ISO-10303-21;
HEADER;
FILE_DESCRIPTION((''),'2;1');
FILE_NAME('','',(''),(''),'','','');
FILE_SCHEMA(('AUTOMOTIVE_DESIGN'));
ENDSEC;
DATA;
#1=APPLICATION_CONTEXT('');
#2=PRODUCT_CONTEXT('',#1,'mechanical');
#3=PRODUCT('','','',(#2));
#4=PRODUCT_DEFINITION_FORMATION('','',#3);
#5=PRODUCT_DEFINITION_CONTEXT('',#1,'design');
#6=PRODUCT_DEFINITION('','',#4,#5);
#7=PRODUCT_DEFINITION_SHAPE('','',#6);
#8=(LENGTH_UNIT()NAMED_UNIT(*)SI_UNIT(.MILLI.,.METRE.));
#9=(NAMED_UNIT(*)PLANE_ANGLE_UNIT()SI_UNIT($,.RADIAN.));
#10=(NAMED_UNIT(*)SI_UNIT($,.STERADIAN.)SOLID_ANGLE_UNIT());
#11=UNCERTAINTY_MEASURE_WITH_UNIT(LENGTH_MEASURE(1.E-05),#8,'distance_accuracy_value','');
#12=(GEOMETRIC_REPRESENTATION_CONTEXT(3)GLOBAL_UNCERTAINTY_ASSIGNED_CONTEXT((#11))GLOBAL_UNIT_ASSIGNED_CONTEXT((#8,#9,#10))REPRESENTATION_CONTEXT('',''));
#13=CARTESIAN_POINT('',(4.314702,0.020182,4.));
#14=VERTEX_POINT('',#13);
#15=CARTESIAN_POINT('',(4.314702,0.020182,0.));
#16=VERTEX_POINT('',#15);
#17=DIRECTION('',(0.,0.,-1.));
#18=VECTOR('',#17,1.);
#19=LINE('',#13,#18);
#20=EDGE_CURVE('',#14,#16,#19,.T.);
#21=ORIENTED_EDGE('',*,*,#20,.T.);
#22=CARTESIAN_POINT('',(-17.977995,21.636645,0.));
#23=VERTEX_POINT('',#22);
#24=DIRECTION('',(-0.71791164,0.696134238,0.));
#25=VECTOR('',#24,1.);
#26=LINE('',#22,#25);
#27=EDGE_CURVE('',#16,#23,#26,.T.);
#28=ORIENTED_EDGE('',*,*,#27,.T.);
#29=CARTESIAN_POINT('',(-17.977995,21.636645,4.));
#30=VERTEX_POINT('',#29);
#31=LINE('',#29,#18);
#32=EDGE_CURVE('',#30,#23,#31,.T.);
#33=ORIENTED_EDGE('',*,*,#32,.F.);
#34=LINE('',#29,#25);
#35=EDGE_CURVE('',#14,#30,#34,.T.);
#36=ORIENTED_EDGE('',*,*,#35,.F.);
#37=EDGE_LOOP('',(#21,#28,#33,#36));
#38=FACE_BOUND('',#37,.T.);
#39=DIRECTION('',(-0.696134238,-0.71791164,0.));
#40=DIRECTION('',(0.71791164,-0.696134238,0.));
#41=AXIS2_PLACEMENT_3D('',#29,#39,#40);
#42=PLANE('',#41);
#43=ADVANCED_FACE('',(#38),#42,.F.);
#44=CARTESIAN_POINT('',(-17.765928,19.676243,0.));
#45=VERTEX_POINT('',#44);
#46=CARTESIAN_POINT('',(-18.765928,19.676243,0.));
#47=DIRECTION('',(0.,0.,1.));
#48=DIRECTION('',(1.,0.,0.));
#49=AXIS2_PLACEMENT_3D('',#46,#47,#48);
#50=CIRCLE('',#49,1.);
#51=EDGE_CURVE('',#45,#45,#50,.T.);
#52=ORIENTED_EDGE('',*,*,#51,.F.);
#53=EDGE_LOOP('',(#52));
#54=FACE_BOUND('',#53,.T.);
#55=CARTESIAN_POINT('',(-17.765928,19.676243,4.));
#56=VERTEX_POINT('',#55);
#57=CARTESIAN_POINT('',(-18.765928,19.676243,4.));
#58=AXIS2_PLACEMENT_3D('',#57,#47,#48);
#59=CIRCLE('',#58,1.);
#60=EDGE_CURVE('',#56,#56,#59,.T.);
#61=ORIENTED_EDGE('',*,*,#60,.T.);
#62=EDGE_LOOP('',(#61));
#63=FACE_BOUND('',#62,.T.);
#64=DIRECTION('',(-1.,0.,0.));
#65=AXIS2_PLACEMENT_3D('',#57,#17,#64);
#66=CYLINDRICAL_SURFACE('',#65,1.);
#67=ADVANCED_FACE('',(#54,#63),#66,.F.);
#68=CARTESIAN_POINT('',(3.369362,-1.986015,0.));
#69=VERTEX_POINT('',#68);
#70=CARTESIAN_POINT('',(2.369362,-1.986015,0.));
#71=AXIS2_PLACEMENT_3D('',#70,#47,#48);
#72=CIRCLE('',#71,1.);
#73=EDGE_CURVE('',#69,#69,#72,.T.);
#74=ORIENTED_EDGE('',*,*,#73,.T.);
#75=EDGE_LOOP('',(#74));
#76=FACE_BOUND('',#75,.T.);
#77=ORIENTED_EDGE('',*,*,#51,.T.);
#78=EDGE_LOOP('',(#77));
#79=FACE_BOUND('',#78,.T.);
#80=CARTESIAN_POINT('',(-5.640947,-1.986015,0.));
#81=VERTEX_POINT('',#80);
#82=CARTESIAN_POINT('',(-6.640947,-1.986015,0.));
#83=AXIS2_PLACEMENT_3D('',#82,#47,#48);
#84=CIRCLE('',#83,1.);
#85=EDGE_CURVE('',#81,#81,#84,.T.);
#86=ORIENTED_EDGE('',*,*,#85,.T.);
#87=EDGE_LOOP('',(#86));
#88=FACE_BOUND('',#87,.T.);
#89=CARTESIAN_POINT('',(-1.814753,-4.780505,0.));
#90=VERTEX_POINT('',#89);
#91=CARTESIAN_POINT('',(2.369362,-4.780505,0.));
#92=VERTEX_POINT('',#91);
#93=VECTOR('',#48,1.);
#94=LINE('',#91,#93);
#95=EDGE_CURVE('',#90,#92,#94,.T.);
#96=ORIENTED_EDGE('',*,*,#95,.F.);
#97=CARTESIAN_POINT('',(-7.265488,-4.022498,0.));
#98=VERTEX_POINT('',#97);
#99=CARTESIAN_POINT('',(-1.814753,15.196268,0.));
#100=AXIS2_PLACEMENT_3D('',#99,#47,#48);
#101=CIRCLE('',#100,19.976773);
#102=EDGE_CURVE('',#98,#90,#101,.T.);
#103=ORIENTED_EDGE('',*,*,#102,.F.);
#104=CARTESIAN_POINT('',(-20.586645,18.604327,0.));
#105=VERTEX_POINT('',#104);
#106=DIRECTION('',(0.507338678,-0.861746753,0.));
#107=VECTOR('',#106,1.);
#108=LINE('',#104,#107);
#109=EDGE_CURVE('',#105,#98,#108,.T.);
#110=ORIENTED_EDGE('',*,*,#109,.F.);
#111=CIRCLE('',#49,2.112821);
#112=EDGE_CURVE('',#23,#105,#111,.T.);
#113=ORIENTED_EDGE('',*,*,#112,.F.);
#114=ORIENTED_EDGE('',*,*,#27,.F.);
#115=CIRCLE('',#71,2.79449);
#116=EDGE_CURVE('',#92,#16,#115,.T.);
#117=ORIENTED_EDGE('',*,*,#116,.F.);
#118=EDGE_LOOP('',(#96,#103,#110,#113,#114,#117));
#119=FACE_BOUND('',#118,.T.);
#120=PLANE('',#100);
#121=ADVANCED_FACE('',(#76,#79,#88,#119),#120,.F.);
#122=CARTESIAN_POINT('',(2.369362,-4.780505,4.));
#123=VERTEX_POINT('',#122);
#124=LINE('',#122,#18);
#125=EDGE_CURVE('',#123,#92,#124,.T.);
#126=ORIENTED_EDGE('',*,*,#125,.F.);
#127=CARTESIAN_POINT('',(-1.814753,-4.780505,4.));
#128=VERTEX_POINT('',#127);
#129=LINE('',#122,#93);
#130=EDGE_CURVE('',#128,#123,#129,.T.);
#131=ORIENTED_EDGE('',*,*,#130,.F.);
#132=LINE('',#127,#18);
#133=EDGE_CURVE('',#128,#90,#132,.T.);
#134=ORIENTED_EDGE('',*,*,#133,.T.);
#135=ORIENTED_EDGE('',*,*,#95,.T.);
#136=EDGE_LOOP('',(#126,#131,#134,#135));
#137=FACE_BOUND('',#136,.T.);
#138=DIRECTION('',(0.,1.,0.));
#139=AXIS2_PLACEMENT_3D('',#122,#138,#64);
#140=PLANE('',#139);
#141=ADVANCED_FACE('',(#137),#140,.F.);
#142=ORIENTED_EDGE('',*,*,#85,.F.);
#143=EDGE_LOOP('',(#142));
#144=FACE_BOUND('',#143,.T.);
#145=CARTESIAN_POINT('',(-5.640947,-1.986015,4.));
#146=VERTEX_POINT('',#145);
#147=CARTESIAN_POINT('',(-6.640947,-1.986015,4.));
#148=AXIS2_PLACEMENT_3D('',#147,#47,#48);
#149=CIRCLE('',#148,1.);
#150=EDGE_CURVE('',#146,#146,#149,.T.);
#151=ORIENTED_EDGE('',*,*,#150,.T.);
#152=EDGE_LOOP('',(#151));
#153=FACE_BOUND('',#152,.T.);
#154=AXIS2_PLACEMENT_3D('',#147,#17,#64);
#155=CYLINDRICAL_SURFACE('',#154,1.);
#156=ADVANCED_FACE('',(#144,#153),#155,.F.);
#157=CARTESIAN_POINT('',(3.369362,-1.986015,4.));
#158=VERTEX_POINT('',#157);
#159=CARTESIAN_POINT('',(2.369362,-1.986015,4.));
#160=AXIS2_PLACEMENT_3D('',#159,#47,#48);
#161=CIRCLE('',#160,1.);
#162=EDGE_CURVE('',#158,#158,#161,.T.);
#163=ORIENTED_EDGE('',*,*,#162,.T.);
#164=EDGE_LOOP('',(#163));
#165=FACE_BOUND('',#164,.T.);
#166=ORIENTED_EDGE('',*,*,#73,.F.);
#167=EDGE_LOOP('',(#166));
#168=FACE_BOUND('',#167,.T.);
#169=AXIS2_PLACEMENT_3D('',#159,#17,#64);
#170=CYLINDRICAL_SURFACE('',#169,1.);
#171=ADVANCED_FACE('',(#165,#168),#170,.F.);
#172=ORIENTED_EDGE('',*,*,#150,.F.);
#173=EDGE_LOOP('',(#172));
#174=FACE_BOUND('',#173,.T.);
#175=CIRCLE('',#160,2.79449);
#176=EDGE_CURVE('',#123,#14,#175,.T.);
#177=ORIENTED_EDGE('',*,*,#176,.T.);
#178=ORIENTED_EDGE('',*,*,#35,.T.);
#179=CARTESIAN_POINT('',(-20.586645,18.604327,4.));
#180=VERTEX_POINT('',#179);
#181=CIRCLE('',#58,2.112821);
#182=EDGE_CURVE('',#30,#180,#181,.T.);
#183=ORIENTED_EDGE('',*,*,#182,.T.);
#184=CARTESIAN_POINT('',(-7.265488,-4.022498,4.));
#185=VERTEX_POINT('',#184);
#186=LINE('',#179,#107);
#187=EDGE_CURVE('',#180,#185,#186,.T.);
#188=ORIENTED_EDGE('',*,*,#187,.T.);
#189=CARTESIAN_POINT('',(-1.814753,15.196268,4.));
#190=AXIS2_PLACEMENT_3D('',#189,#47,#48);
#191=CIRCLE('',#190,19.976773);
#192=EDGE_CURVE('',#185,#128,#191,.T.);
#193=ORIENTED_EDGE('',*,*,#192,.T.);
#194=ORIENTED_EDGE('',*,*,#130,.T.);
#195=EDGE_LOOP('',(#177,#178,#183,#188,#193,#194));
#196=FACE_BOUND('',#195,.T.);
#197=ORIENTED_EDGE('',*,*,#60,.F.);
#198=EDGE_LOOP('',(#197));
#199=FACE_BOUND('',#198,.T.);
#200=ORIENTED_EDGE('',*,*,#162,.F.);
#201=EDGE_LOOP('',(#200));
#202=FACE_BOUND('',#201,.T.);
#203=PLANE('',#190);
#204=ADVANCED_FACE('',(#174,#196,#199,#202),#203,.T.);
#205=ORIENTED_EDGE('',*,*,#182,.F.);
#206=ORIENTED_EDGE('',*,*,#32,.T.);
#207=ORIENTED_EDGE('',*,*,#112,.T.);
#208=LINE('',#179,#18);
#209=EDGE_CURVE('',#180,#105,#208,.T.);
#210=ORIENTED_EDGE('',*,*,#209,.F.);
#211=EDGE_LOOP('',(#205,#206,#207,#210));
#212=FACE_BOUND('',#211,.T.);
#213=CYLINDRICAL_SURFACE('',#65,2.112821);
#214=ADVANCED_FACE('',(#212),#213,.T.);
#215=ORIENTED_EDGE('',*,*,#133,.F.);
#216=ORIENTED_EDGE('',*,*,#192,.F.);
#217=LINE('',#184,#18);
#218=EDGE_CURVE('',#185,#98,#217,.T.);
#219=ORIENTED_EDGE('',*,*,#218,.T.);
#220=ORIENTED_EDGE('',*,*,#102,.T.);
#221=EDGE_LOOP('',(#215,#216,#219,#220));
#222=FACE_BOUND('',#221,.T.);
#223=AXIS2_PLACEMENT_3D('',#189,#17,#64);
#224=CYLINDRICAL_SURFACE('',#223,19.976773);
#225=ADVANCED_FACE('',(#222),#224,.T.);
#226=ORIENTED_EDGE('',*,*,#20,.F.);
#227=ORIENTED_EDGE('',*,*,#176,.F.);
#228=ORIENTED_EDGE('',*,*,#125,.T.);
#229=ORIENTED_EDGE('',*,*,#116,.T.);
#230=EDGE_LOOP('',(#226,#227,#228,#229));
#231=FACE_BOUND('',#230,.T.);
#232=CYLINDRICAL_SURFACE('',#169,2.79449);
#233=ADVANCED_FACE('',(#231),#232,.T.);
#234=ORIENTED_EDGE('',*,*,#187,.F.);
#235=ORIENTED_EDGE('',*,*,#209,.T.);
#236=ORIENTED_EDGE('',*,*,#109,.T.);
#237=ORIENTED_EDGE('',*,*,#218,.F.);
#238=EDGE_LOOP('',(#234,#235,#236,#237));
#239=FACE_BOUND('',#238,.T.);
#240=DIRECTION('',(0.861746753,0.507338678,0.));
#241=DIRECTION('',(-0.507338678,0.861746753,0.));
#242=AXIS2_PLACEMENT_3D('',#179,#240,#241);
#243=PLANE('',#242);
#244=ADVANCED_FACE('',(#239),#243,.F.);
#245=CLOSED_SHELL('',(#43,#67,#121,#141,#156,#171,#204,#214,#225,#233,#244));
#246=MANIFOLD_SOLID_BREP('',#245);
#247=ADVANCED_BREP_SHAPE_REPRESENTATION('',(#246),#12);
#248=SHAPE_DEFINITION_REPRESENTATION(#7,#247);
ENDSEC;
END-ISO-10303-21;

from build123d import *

# Parameters (mm, degrees)
SKETCH1_R           = 1
BOSS_EXTRUDE1_DEPTH = 4


with BuildPart() as part:
    # Sketch1 → Boss-Extrude1 (new body)
    with BuildSketch(Plane.XY):
        with BuildLine():
            Line((-17.977995316, 21.63664468), (4.314702222, 0.02018223))
            ThreePointArc((4.314702222, 0.02018223), (4.959291805, -3.035509426), (2.369361859, -4.780505155))
            Line((2.369361859, -4.780505155), (-1.814753039, -4.780505155))
            ThreePointArc((-1.814753039, -4.780505155), (-4.566347453, -4.590095833), (-7.265488027, -4.022497651))
            Line((-7.265488027, -4.022497651), (-20.58664465, 18.604327308))
            ThreePointArc((-20.58664465, 18.604327308), (-20.367613976, 21.054145339), (-17.977995316, 21.63664468))
        make_face()
        with Locations((2.369361859, -1.986014872)):
            Circle(SKETCH1_R, mode=Mode.SUBTRACT)
        with Locations((-18.765928056, 19.676243096)):
            Circle(SKETCH1_R, mode=Mode.SUBTRACT)
        with Locations((-6.640947392, -1.986014872)):
            Circle(SKETCH1_R, mode=Mode.SUBTRACT)
    extrude(amount=BOSS_EXTRUDE1_DEPTH)


solid = part.part
